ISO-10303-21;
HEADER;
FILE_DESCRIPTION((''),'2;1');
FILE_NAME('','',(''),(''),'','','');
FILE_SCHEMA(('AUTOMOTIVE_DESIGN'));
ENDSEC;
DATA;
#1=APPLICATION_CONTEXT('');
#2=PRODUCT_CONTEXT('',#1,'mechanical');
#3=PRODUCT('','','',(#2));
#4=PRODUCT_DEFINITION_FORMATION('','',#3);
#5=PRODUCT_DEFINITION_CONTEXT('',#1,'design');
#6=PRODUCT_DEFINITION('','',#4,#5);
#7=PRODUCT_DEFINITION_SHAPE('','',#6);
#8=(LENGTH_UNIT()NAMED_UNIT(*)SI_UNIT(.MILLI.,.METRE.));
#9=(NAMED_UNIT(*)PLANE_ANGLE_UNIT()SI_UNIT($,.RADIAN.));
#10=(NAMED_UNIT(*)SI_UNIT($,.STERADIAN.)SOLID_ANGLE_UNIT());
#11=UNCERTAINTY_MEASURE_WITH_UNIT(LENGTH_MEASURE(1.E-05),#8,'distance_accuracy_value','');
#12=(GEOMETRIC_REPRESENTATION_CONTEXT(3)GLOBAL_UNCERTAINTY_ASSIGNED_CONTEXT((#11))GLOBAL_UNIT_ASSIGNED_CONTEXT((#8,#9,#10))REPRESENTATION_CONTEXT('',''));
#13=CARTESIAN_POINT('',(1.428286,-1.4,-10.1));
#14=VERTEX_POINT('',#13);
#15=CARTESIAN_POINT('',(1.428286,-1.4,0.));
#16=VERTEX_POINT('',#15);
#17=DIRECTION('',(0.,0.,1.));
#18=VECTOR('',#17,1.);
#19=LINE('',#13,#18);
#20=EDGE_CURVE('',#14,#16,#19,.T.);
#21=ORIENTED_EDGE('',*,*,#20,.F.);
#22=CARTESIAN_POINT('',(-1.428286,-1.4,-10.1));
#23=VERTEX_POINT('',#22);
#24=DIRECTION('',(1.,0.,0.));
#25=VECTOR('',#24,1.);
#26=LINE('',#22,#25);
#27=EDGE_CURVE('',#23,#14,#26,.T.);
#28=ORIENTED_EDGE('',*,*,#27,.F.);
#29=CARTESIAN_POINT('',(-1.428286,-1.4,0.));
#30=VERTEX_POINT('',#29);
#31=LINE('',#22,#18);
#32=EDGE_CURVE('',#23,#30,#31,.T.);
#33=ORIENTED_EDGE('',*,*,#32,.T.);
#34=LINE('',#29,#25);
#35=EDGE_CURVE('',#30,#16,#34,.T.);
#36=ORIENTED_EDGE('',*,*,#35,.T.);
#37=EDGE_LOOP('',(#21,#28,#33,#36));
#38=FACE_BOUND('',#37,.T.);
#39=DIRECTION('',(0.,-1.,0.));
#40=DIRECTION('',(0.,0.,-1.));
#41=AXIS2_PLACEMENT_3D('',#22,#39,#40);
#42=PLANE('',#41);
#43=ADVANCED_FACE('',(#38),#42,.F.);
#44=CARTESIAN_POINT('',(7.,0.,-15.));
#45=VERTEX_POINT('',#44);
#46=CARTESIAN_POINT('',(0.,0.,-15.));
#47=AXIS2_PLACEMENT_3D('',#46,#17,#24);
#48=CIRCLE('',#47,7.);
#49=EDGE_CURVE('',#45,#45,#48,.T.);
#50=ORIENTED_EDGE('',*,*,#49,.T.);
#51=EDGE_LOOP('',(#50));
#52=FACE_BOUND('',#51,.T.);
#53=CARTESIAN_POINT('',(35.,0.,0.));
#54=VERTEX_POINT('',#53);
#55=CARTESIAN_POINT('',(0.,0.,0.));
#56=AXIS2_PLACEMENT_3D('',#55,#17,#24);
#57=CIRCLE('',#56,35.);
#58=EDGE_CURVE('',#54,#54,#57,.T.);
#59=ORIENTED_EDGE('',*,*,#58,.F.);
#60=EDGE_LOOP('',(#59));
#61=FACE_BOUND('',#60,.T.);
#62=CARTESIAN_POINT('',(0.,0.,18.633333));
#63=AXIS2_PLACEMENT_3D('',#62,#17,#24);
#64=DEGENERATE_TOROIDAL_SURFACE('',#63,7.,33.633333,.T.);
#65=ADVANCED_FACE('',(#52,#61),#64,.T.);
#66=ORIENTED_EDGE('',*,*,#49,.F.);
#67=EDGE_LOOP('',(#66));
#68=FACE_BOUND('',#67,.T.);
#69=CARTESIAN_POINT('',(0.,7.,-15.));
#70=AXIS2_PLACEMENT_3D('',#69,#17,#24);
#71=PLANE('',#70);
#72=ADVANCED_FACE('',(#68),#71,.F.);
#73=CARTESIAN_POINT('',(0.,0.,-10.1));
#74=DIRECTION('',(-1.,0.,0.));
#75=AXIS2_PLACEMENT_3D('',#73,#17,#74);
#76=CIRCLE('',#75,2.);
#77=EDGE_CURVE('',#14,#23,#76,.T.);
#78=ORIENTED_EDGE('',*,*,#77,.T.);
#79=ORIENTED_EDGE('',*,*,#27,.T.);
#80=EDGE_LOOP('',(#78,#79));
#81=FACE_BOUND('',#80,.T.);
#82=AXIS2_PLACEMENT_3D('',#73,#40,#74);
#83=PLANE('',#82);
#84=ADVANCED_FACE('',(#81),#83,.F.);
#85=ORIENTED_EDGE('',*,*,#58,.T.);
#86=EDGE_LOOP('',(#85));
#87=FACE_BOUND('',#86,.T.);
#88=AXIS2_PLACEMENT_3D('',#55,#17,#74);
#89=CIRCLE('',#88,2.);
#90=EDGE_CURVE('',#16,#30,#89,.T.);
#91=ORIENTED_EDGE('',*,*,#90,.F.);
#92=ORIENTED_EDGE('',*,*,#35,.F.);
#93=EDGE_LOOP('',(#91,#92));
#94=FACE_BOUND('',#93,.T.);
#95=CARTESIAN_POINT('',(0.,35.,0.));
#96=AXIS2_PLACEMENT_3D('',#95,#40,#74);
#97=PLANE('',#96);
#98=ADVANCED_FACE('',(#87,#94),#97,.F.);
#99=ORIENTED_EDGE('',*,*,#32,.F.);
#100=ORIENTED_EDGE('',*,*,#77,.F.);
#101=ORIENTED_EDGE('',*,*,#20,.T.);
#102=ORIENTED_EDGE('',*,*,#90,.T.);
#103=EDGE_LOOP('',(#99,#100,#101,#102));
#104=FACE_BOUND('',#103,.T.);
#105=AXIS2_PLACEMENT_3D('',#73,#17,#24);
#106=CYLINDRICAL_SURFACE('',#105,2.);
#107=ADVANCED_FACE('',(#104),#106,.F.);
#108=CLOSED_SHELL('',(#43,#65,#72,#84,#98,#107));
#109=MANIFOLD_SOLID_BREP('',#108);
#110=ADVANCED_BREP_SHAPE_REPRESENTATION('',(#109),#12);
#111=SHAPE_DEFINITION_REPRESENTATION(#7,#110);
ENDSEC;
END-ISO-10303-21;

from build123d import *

# Parameters (mm, degrees)
CUT_EXTRUDE_1_DEPTH = 10.1


with BuildPart() as part:
    # Эскиз1 → Повернуть1 (revolve)
    with BuildSketch(Plane(origin=(0, 0, 0), x_dir=(0, 0, -1), z_dir=(1, 0, 0)), mode=Mode.PRIVATE) as revolve_1_sk:
        with BuildLine():
            Line((15, 7), (15, 0))
            Line((15, 0), (0, 0))
            Line((0, 0), (0, 35))
            ThreePointArc((0, 35), (11.013776325, 22.882380174), (15, 7))
        make_face()
    revolve(revolve_1_sk.sketch.rotate(Axis((0, 0, 81.764660039), (0, 0, -1)), 90), axis=Axis((0, 0, 81.764660039), (0, 0, -1)))

    # Эскиз2 → Вырез-Вытянуть1 (cut)
    with BuildSketch(Plane.XY):
        with BuildLine():
            Line((-1.428285686, -1.4), (1.428285686, -1.4))
            ThreePointArc((1.428285686, -1.4), (0, 2), (-1.428285686, -1.4))
        make_face()
    extrude(amount=-CUT_EXTRUDE_1_DEPTH, mode=Mode.SUBTRACT)


solid = part.part
